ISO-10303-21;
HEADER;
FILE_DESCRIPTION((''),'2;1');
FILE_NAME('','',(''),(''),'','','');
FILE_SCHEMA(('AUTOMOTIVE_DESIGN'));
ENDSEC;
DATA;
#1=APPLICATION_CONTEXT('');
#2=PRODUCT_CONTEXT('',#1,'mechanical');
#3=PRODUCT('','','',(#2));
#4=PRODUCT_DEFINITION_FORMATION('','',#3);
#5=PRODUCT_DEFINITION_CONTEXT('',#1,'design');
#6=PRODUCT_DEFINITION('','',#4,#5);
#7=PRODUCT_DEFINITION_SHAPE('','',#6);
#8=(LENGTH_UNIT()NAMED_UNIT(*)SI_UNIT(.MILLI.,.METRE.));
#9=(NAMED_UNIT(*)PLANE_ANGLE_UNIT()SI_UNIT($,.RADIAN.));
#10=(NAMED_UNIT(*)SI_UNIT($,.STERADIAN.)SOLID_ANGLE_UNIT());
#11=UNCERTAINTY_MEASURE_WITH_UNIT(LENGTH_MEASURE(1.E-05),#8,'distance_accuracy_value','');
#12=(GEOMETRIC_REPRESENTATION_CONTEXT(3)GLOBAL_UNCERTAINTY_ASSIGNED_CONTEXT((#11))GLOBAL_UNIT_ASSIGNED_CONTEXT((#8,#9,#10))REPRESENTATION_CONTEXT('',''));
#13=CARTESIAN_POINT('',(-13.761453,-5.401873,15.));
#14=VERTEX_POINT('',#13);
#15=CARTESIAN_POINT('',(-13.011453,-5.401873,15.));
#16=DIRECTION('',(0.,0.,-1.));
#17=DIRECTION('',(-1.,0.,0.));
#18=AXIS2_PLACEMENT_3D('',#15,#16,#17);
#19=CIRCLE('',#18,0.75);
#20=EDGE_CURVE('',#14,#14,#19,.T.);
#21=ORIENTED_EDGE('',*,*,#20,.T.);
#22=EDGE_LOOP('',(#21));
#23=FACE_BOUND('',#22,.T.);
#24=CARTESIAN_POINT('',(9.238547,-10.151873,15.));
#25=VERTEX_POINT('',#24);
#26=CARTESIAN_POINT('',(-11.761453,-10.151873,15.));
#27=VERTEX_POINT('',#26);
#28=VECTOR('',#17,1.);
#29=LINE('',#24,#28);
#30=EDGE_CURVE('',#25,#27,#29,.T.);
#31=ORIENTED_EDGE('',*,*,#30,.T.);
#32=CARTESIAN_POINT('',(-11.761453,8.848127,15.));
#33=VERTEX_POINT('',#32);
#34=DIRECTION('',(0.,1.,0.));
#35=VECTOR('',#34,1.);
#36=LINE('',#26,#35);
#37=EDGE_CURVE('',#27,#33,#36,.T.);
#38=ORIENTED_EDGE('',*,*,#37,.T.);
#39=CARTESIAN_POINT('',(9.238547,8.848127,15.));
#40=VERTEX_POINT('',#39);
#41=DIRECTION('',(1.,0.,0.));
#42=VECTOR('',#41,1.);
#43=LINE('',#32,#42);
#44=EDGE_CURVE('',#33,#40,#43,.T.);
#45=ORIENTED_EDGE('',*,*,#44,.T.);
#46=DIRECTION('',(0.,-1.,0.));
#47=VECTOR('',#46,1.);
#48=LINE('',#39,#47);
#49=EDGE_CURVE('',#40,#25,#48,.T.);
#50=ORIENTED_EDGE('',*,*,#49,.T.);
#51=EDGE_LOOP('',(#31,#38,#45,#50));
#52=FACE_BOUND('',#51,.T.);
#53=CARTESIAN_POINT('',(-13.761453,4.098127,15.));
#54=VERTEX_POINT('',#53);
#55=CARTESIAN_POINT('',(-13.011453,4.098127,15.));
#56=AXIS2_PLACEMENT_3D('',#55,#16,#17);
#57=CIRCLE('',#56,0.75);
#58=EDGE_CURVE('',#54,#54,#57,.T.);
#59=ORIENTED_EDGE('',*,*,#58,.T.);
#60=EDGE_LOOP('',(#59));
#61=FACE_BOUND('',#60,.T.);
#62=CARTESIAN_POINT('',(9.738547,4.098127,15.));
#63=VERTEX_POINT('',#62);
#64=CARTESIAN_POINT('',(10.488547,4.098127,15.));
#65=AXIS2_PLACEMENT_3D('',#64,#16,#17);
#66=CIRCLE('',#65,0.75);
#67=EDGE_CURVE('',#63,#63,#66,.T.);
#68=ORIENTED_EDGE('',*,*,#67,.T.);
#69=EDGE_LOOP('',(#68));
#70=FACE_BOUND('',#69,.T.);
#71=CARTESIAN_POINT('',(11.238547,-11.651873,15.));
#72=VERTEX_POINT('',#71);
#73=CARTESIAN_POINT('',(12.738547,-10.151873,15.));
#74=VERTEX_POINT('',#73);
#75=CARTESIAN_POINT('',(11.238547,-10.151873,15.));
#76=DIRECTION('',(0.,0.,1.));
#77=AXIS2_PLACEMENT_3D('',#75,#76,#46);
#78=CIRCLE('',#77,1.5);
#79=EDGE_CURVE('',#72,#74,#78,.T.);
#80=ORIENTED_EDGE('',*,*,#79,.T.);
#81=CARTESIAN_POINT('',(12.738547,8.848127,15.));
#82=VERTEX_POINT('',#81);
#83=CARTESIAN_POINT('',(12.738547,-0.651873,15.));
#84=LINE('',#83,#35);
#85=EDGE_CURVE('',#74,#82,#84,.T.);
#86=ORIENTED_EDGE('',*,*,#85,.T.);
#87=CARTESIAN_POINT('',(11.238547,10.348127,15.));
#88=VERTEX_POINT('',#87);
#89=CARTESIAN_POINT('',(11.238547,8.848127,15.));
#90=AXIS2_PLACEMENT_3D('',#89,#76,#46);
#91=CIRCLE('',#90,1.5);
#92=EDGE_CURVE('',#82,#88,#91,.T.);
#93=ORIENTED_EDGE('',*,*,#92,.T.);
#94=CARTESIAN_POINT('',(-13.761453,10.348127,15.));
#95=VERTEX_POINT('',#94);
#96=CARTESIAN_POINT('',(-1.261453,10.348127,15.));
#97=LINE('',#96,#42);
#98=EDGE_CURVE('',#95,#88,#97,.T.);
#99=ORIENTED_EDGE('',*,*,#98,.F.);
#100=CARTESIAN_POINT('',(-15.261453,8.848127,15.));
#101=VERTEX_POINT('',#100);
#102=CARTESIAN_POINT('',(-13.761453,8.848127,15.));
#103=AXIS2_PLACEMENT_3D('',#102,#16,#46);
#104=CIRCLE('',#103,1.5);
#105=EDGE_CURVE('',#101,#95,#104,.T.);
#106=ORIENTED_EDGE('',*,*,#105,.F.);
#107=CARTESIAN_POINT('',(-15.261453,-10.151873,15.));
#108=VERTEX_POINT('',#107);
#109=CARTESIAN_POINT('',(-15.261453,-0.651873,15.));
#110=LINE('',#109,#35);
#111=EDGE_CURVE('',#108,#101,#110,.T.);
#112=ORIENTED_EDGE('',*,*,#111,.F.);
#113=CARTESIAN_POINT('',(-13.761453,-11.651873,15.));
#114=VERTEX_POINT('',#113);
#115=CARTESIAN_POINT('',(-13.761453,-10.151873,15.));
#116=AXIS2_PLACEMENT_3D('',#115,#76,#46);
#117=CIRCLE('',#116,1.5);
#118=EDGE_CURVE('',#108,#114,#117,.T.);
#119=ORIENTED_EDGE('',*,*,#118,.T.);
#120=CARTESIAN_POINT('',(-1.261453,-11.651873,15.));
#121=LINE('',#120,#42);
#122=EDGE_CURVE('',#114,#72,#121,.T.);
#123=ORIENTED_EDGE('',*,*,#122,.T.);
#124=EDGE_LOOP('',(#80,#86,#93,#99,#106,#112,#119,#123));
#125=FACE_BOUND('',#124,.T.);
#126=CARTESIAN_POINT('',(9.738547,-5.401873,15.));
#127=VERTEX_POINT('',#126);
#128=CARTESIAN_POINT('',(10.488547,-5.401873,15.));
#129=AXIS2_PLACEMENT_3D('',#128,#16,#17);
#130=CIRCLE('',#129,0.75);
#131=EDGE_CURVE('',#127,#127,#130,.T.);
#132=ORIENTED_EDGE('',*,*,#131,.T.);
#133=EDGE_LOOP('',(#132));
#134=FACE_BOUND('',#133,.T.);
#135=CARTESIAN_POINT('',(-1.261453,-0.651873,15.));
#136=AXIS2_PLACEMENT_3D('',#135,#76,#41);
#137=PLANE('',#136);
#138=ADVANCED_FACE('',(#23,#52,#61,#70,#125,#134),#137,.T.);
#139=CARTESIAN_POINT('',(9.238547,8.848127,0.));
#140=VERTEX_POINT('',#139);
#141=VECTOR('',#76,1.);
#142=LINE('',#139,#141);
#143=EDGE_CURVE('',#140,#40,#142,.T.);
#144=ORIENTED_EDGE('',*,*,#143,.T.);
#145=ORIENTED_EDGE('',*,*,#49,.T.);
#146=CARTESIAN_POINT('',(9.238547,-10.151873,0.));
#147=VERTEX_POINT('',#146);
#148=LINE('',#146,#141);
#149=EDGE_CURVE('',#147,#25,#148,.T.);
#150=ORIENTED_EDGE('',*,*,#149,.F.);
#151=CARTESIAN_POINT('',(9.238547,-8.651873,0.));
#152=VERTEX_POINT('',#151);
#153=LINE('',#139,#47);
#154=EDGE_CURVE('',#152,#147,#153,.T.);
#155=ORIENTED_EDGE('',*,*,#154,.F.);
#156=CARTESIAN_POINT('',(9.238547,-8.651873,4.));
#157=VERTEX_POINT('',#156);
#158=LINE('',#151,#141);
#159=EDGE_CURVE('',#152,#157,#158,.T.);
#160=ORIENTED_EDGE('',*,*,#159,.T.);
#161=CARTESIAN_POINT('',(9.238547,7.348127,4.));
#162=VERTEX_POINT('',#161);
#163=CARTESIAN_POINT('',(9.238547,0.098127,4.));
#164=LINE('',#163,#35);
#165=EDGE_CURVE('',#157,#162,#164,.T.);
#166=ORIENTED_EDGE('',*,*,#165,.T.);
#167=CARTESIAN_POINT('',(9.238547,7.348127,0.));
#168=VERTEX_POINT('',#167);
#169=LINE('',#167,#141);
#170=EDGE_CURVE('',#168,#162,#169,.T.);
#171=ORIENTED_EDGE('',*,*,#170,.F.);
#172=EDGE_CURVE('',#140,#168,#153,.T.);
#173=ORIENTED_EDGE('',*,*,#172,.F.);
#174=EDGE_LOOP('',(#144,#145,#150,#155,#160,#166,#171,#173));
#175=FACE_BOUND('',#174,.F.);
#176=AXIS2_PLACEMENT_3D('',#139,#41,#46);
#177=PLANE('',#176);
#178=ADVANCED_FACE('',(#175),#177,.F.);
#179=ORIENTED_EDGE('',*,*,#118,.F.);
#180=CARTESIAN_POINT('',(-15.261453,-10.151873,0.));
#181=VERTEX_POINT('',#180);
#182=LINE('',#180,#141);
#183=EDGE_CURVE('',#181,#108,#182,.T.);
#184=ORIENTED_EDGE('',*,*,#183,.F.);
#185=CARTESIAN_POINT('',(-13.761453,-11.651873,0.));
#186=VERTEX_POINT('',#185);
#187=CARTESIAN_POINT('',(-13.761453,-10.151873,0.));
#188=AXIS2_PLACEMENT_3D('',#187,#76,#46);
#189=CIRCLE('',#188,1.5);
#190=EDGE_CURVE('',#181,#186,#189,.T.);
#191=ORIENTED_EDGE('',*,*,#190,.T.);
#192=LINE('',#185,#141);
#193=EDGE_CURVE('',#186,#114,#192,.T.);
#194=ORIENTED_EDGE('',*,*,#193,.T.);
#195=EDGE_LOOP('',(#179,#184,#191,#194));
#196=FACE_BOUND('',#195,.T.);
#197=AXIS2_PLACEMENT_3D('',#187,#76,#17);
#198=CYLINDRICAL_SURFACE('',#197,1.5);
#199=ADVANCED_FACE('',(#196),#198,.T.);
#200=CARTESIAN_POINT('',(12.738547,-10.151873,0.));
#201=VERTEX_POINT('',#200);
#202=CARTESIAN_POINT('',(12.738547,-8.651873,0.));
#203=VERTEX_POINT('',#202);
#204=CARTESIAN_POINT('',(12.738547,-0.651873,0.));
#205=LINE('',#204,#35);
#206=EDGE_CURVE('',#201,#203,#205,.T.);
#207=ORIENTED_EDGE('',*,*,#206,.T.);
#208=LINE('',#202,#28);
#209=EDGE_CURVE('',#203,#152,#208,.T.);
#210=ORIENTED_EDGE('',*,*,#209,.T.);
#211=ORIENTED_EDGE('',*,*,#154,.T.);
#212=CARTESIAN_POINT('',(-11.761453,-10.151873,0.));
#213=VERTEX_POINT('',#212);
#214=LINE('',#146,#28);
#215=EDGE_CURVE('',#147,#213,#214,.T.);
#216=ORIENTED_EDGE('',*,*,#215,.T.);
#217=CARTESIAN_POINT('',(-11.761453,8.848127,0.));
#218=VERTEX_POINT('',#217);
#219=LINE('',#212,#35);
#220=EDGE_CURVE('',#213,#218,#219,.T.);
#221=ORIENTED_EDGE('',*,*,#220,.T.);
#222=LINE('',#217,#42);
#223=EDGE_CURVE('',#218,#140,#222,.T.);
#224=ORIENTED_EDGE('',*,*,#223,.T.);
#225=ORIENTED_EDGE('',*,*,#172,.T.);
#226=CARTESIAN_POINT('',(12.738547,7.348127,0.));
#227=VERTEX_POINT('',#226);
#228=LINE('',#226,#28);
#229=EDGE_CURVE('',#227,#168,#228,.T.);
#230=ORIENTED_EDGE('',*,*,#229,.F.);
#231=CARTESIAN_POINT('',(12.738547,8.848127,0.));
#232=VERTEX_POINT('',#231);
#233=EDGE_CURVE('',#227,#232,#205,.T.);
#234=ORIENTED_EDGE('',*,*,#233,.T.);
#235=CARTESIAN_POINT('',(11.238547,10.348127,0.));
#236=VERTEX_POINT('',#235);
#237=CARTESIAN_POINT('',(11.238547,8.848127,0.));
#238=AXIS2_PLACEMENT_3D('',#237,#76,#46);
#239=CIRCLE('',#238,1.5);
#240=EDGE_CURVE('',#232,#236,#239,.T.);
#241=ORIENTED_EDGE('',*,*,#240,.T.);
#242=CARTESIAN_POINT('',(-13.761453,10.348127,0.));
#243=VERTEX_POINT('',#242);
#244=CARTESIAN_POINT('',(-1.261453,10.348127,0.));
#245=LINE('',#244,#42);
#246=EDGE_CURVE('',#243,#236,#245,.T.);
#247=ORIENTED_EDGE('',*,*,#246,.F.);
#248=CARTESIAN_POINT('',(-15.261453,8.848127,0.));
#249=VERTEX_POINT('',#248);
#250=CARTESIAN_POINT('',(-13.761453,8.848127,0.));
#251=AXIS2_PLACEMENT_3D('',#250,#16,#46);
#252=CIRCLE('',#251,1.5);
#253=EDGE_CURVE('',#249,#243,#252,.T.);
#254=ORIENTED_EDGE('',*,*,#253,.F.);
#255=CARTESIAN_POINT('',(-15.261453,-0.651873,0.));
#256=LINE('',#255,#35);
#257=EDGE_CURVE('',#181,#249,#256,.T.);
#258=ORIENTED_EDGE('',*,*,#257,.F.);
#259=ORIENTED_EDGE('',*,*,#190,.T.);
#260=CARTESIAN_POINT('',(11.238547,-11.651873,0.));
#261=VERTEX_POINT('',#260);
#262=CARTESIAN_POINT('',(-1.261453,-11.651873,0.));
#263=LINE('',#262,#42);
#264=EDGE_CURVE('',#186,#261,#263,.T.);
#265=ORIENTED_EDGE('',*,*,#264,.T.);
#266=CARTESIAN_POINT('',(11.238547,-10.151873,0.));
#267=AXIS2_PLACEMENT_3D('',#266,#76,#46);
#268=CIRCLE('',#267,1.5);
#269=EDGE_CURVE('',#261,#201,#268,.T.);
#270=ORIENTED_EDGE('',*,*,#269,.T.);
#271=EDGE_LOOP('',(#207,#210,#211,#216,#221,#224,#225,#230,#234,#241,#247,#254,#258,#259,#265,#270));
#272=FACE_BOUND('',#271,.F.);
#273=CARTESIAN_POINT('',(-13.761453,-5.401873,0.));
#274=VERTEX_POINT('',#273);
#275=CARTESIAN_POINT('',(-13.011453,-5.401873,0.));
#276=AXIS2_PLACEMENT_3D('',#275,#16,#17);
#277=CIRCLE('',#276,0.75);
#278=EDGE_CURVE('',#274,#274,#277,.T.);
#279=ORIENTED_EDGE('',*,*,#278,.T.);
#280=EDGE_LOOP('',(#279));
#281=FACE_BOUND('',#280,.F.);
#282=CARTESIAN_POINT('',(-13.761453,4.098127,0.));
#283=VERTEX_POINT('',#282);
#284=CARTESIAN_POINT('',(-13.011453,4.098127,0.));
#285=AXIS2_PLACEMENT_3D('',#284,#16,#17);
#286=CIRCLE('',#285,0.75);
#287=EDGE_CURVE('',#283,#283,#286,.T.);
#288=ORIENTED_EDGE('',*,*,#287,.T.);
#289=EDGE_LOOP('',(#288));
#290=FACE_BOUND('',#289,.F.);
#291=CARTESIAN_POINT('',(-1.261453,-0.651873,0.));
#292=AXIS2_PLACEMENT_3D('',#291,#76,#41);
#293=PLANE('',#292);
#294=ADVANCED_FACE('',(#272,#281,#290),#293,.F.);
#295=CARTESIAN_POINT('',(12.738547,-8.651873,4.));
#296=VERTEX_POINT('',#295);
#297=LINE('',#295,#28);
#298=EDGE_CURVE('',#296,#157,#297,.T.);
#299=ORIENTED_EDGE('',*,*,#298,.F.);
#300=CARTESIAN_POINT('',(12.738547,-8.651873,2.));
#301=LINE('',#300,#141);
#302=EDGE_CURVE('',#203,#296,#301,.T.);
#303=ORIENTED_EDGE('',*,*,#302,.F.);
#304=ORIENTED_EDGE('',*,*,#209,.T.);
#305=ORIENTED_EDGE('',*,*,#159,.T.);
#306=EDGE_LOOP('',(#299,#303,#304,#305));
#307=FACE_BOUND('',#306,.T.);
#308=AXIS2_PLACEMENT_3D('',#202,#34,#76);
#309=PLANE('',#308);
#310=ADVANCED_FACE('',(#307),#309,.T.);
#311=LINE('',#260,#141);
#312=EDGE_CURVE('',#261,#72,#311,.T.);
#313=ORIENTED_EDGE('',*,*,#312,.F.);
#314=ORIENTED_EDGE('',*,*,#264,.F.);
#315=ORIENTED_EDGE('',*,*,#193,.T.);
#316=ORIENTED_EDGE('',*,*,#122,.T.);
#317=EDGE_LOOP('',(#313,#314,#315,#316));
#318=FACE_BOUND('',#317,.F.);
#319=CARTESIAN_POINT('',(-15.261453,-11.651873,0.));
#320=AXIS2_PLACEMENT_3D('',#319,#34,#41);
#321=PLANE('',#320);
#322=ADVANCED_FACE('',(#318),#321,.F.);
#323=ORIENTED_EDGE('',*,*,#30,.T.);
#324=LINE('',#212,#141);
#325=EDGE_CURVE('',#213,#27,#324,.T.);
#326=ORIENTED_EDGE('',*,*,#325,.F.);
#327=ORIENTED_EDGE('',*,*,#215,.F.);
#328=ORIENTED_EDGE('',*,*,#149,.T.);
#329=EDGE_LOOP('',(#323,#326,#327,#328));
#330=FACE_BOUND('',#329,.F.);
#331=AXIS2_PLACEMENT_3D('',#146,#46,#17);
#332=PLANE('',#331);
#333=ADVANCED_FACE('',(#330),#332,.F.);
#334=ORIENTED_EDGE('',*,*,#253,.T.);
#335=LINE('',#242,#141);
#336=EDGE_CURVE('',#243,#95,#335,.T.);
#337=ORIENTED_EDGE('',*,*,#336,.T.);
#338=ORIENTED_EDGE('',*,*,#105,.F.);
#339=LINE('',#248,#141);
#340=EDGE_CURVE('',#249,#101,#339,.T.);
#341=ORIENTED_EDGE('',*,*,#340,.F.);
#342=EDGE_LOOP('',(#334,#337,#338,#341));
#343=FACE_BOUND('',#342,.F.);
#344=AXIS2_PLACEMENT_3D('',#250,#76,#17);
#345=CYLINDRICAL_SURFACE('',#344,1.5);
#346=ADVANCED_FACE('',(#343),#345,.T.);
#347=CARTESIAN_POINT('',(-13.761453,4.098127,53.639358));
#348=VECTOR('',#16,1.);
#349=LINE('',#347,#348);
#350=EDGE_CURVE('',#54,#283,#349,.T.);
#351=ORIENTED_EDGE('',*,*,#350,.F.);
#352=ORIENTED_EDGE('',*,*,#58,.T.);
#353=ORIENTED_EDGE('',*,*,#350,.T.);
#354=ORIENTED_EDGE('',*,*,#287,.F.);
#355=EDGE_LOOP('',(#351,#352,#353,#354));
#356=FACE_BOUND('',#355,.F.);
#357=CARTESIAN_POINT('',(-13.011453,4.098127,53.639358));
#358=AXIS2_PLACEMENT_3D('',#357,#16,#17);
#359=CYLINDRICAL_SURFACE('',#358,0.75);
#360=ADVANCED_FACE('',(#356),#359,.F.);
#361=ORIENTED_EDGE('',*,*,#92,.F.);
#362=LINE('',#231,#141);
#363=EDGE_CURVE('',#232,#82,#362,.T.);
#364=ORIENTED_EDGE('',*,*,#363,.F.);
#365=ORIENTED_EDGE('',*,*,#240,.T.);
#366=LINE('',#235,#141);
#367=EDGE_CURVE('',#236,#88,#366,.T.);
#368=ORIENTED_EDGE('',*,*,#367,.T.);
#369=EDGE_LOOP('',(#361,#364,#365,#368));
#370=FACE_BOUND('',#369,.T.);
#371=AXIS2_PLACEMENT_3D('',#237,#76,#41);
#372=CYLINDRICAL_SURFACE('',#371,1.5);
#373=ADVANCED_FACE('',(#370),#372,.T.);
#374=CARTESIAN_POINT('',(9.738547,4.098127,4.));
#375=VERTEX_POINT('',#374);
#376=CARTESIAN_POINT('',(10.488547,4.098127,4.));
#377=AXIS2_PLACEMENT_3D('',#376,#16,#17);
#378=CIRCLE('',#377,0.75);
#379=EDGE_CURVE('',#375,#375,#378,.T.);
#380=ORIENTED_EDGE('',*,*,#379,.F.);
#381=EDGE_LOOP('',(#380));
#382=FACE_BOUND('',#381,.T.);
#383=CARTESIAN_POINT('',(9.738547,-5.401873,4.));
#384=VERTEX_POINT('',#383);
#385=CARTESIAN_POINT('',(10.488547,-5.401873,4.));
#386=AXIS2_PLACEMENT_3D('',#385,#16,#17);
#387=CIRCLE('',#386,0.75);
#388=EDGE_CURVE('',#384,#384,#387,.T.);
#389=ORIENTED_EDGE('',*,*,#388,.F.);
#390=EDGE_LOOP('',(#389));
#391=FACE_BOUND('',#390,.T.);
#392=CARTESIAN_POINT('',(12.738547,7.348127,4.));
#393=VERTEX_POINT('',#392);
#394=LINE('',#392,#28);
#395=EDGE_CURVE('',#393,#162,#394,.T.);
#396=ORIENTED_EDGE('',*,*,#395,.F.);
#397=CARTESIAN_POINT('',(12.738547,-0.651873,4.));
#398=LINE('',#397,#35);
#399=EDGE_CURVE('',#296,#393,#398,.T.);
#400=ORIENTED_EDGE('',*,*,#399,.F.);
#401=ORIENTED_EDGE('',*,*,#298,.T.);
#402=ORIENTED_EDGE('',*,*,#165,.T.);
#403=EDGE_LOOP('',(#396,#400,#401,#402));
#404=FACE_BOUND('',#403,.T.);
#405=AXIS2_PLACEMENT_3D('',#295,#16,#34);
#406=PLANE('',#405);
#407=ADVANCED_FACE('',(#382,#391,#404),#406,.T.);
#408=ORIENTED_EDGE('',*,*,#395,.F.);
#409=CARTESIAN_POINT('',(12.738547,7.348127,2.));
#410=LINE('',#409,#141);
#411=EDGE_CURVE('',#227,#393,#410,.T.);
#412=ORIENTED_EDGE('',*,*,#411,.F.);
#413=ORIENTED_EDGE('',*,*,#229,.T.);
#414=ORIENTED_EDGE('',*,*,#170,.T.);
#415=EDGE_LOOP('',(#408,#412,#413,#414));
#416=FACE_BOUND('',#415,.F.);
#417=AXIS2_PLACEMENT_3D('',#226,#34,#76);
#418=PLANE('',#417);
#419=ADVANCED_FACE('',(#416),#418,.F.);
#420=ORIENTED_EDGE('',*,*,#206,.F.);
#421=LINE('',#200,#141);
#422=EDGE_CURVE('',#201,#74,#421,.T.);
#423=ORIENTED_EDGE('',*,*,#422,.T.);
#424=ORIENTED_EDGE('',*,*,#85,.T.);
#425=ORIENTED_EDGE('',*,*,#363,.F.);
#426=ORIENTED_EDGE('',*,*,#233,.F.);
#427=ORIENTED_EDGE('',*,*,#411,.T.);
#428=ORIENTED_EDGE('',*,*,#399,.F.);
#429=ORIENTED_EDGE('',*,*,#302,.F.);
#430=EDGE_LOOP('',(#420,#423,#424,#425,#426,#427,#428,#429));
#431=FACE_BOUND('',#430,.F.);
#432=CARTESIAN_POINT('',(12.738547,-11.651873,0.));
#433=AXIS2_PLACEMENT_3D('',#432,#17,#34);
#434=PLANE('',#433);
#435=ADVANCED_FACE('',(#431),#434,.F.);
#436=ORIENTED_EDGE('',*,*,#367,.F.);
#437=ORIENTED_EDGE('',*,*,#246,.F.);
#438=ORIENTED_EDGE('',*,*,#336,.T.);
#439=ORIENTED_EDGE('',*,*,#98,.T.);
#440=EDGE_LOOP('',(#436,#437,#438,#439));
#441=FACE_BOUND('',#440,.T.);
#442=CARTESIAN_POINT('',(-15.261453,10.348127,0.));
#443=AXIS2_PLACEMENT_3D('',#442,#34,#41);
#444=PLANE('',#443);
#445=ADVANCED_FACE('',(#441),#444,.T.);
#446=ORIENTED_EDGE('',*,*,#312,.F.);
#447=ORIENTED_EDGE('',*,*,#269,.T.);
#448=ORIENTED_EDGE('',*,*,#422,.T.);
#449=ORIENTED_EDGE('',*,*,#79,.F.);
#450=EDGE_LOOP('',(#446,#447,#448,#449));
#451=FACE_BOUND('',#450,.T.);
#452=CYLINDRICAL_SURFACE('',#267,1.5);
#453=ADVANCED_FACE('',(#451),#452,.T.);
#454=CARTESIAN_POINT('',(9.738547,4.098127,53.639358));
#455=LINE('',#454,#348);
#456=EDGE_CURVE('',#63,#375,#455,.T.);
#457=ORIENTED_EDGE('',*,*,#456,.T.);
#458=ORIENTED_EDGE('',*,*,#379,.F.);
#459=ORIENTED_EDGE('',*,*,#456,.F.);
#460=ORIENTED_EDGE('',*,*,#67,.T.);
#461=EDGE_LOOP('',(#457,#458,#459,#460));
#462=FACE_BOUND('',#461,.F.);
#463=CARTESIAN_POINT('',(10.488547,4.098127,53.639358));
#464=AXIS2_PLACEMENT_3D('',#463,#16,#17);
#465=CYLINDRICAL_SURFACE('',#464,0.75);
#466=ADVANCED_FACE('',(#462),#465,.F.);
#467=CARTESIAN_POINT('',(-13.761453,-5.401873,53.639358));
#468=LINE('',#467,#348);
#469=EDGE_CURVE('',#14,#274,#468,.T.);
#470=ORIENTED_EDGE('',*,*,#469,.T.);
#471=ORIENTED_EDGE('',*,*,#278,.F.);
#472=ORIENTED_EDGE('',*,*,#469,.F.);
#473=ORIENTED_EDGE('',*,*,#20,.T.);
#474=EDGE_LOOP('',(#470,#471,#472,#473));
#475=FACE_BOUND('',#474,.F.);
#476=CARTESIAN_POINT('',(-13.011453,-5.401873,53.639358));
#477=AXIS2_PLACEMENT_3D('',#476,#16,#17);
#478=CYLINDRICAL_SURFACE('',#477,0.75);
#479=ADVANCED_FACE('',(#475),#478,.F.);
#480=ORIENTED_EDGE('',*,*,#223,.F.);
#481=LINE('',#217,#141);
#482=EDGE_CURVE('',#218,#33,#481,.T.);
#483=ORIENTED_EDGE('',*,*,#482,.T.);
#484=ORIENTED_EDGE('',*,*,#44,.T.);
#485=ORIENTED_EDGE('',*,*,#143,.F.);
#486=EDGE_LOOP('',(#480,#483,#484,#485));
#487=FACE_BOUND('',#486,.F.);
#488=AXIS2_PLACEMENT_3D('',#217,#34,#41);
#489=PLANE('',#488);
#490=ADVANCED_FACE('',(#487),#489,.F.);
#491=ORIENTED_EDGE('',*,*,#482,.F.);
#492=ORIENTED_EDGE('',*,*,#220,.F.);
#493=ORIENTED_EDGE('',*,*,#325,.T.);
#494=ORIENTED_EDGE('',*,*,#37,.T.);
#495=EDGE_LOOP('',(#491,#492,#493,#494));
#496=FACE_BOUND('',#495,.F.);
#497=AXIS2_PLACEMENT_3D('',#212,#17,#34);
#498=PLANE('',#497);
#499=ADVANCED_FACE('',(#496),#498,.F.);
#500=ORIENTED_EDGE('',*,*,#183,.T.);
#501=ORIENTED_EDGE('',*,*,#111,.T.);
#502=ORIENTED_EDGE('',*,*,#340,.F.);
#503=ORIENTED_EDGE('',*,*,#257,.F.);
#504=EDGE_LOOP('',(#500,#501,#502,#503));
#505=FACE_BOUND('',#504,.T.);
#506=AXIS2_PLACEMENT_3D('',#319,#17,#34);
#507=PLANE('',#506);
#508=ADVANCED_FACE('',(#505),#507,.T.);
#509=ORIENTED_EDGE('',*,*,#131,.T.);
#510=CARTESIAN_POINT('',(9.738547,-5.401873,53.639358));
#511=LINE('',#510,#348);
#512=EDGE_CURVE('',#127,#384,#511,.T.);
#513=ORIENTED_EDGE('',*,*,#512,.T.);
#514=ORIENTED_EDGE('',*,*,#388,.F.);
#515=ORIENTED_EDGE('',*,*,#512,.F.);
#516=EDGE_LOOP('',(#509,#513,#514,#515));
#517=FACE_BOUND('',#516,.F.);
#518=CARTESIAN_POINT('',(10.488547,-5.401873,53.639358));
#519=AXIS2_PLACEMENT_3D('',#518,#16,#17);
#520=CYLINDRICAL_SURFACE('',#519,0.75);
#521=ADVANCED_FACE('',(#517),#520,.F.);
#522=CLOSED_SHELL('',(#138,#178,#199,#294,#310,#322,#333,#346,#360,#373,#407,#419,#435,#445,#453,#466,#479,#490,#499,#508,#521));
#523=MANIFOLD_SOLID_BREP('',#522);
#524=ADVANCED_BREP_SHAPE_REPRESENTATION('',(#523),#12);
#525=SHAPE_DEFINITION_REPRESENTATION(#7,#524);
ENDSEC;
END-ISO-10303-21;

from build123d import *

# Parameters (mm, degrees)
F0_W     = 28
F0_H     = 22
F1_DEPTH = 15
F3_R     = 1.5
F5_D     = 1.5
F6_D     = 1.5
F7_D     = 1.5
F8_D     = 1.5
F2_W     = 16
F2_H     = 4
F9_DEPTH = 10


with BuildPart() as f1:
    # F0 (on Top) → F1 (new body)
    with BuildSketch(Plane.XY):
        with Locations((-1.261453, -0.651873)):
            Rectangle(F0_W, F0_H)
        Polygon((-11.761453, -10.151873), (-11.761453, 8.848127), (5.738547, 8.848127), (9.238547, 8.848127), (9.238547, -10.151873), (5.738547, -10.151873), align=None, mode=Mode.SUBTRACT)
    extrude(amount=F1_DEPTH)

    # F3
    f3_edges = [f1.edges().sort_by_distance(p)[0] for p in [
        (12.738547, 10.348127, 7.5),
        (12.738547, -11.651873, 7.5),
        (-15.261453, -11.651873, 7.5),
        (-15.261453, 10.348127, 7.5),
    ]]
    fillet(f3_edges, radius=F3_R)

    # F5 (through all)
    with Locations(Plane.XY.offset(15)):
        with Locations((-13.011453, 4.098127)):
            Hole(F5_D / 2)

    # F6 (through all)
    with Locations(Plane.XY.offset(15)):
        with Locations((-13.011453, -5.401873)):
            Hole(F6_D / 2)

    # F7 (through all)
    with Locations(Plane.XY.offset(15)):
        with Locations((10.488547, -5.401873)):
            Hole(F7_D / 2)

    # F8 (through all)
    with Locations(Plane.XY.offset(15)):
        with Locations((10.488547, 4.098127)):
            Hole(F8_D / 2)

    # F2 (on face) → F9 (cut)
    with BuildSketch(Plane.YZ.offset(12.738547)):
        with Locations((-0.651873, 2)):
            Rectangle(F2_W, F2_H)
    extrude(amount=-F9_DEPTH, mode=Mode.SUBTRACT)


solid = f1.part
